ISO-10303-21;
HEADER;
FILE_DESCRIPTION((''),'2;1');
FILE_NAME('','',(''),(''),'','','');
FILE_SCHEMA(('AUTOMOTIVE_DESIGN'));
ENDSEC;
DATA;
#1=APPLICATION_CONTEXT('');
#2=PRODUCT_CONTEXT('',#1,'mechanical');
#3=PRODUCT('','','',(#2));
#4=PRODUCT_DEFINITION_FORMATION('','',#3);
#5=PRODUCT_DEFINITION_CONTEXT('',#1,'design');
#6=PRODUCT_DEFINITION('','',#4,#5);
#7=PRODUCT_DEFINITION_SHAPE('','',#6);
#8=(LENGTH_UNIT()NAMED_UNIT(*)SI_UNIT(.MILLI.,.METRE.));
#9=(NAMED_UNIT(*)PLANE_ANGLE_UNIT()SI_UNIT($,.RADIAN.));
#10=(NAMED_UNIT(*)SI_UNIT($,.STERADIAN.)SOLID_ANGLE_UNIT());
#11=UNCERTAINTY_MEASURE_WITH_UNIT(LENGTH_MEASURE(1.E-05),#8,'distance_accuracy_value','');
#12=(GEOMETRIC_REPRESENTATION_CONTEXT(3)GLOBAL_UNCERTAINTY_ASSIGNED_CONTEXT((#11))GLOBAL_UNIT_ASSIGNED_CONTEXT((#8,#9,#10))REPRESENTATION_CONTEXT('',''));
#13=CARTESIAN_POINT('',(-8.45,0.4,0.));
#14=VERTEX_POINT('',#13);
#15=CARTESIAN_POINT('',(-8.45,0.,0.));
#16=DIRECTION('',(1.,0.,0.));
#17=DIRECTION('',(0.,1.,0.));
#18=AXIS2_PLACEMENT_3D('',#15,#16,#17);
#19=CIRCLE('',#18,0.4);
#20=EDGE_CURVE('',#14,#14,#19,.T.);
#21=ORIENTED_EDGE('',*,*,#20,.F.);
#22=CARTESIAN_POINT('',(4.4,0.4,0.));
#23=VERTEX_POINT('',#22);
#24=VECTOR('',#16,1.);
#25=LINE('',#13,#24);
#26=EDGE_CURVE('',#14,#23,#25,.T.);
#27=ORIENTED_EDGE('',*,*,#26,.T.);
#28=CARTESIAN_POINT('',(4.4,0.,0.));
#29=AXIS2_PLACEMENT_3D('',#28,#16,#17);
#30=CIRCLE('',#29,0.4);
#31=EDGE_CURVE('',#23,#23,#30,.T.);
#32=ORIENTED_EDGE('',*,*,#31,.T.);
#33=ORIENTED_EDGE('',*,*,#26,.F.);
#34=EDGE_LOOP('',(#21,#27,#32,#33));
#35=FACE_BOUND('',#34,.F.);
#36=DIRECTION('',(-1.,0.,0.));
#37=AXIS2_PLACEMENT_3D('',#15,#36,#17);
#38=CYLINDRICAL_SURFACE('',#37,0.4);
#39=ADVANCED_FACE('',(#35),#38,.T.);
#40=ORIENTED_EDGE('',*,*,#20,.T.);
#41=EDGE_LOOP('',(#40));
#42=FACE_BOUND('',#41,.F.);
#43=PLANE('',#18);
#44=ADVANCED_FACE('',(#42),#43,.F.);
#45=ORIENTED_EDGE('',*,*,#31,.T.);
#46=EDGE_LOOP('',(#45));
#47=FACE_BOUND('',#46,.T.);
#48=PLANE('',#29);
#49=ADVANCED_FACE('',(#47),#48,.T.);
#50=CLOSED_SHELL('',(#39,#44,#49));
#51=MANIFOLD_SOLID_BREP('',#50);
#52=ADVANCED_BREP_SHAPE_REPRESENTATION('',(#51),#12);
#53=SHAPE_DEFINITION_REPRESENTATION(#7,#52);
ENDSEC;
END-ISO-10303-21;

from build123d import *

# Parameters (mm, degrees)
SKETCH001_R = 0.4
PAD_DEPTH   = 12.85


with BuildPart() as part:
    # Sketch001 → Pad (new body)
    with BuildSketch(Plane.YZ.offset(-8.45)):
        Circle(SKETCH001_R)
    extrude(amount=PAD_DEPTH)


solid = part.part
